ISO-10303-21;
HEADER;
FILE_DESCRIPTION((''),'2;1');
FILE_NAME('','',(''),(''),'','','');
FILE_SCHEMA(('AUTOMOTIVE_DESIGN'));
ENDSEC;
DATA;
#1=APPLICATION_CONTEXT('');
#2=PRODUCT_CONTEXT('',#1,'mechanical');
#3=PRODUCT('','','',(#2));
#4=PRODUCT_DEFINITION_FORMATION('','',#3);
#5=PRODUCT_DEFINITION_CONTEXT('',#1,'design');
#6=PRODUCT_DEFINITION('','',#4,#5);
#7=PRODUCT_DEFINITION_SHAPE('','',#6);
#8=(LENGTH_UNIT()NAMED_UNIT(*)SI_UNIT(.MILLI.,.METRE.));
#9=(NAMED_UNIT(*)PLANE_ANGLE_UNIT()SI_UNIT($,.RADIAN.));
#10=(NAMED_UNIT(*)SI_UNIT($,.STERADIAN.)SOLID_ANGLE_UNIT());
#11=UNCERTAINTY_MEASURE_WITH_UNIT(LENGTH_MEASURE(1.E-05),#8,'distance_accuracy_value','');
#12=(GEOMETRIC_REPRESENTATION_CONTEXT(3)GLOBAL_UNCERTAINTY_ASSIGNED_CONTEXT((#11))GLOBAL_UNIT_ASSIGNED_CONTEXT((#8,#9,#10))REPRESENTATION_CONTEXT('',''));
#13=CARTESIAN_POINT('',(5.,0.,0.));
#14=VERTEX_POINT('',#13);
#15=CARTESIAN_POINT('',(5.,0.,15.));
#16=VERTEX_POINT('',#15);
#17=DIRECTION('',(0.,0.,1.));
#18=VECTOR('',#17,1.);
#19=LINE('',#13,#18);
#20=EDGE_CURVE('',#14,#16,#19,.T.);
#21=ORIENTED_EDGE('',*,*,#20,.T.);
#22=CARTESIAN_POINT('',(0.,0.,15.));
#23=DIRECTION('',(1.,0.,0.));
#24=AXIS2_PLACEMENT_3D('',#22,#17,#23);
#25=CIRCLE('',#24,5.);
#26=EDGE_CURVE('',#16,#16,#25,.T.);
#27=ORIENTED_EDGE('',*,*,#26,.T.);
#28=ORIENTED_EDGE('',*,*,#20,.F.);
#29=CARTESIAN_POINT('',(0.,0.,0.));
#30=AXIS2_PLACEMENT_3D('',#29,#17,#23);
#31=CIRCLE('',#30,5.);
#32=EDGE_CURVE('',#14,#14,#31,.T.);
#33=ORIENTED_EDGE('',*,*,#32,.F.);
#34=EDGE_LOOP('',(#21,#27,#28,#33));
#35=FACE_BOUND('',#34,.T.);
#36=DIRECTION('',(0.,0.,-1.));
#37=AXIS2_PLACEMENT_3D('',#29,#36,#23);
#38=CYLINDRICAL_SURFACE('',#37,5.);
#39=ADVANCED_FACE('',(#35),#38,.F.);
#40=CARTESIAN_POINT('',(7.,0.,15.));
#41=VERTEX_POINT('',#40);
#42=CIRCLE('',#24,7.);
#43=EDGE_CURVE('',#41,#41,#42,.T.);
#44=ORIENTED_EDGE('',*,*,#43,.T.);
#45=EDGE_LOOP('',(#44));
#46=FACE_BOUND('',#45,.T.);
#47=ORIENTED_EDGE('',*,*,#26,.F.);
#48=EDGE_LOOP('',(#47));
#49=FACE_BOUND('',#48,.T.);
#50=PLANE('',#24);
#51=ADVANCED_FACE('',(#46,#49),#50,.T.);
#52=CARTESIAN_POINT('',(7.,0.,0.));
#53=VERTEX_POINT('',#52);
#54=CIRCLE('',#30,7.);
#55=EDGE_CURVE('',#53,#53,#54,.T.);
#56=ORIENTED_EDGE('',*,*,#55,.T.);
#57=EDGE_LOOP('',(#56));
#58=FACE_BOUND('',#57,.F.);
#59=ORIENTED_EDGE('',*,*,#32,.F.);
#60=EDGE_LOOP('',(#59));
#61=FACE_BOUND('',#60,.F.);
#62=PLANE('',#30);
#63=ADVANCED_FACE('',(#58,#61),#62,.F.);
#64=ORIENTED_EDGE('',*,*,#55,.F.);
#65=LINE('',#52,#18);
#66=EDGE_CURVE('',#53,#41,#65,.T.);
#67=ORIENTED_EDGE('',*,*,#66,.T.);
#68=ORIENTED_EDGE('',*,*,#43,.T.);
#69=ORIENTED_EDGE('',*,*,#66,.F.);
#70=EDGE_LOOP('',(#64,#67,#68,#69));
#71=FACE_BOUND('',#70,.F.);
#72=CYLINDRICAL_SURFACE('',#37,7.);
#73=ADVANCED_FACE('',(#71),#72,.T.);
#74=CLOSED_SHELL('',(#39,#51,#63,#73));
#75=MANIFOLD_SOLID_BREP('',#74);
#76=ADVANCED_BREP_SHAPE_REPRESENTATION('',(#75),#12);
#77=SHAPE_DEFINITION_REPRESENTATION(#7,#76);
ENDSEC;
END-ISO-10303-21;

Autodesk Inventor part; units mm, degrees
ref_plane "YZ Plane" through (0, 0, 0) normal (1, 0, 0) x (0, 1, 0)
ref_plane "XZ Plane" through (0, 0, 0) normal (0, 1, 0) x (-1, 0, 0)
ref_plane "XY Plane" through (0, 0, 0) normal (0, 0, 1) x (1, 0, 0)
sketch "草图1" plane through (0, 0, 0) normal (0, 0, 1) x (1, 0, 0)
  circle A0 centre (0, 0) radius 5
  circle A1 centre (0, 0) radius 7
  dimension "轴径" = 10
  dimension "轴套外径" = 14
extrude "拉伸1" add sketch "草图1" along normal blind 15
properties part number "套筒" material "PVC 管"
